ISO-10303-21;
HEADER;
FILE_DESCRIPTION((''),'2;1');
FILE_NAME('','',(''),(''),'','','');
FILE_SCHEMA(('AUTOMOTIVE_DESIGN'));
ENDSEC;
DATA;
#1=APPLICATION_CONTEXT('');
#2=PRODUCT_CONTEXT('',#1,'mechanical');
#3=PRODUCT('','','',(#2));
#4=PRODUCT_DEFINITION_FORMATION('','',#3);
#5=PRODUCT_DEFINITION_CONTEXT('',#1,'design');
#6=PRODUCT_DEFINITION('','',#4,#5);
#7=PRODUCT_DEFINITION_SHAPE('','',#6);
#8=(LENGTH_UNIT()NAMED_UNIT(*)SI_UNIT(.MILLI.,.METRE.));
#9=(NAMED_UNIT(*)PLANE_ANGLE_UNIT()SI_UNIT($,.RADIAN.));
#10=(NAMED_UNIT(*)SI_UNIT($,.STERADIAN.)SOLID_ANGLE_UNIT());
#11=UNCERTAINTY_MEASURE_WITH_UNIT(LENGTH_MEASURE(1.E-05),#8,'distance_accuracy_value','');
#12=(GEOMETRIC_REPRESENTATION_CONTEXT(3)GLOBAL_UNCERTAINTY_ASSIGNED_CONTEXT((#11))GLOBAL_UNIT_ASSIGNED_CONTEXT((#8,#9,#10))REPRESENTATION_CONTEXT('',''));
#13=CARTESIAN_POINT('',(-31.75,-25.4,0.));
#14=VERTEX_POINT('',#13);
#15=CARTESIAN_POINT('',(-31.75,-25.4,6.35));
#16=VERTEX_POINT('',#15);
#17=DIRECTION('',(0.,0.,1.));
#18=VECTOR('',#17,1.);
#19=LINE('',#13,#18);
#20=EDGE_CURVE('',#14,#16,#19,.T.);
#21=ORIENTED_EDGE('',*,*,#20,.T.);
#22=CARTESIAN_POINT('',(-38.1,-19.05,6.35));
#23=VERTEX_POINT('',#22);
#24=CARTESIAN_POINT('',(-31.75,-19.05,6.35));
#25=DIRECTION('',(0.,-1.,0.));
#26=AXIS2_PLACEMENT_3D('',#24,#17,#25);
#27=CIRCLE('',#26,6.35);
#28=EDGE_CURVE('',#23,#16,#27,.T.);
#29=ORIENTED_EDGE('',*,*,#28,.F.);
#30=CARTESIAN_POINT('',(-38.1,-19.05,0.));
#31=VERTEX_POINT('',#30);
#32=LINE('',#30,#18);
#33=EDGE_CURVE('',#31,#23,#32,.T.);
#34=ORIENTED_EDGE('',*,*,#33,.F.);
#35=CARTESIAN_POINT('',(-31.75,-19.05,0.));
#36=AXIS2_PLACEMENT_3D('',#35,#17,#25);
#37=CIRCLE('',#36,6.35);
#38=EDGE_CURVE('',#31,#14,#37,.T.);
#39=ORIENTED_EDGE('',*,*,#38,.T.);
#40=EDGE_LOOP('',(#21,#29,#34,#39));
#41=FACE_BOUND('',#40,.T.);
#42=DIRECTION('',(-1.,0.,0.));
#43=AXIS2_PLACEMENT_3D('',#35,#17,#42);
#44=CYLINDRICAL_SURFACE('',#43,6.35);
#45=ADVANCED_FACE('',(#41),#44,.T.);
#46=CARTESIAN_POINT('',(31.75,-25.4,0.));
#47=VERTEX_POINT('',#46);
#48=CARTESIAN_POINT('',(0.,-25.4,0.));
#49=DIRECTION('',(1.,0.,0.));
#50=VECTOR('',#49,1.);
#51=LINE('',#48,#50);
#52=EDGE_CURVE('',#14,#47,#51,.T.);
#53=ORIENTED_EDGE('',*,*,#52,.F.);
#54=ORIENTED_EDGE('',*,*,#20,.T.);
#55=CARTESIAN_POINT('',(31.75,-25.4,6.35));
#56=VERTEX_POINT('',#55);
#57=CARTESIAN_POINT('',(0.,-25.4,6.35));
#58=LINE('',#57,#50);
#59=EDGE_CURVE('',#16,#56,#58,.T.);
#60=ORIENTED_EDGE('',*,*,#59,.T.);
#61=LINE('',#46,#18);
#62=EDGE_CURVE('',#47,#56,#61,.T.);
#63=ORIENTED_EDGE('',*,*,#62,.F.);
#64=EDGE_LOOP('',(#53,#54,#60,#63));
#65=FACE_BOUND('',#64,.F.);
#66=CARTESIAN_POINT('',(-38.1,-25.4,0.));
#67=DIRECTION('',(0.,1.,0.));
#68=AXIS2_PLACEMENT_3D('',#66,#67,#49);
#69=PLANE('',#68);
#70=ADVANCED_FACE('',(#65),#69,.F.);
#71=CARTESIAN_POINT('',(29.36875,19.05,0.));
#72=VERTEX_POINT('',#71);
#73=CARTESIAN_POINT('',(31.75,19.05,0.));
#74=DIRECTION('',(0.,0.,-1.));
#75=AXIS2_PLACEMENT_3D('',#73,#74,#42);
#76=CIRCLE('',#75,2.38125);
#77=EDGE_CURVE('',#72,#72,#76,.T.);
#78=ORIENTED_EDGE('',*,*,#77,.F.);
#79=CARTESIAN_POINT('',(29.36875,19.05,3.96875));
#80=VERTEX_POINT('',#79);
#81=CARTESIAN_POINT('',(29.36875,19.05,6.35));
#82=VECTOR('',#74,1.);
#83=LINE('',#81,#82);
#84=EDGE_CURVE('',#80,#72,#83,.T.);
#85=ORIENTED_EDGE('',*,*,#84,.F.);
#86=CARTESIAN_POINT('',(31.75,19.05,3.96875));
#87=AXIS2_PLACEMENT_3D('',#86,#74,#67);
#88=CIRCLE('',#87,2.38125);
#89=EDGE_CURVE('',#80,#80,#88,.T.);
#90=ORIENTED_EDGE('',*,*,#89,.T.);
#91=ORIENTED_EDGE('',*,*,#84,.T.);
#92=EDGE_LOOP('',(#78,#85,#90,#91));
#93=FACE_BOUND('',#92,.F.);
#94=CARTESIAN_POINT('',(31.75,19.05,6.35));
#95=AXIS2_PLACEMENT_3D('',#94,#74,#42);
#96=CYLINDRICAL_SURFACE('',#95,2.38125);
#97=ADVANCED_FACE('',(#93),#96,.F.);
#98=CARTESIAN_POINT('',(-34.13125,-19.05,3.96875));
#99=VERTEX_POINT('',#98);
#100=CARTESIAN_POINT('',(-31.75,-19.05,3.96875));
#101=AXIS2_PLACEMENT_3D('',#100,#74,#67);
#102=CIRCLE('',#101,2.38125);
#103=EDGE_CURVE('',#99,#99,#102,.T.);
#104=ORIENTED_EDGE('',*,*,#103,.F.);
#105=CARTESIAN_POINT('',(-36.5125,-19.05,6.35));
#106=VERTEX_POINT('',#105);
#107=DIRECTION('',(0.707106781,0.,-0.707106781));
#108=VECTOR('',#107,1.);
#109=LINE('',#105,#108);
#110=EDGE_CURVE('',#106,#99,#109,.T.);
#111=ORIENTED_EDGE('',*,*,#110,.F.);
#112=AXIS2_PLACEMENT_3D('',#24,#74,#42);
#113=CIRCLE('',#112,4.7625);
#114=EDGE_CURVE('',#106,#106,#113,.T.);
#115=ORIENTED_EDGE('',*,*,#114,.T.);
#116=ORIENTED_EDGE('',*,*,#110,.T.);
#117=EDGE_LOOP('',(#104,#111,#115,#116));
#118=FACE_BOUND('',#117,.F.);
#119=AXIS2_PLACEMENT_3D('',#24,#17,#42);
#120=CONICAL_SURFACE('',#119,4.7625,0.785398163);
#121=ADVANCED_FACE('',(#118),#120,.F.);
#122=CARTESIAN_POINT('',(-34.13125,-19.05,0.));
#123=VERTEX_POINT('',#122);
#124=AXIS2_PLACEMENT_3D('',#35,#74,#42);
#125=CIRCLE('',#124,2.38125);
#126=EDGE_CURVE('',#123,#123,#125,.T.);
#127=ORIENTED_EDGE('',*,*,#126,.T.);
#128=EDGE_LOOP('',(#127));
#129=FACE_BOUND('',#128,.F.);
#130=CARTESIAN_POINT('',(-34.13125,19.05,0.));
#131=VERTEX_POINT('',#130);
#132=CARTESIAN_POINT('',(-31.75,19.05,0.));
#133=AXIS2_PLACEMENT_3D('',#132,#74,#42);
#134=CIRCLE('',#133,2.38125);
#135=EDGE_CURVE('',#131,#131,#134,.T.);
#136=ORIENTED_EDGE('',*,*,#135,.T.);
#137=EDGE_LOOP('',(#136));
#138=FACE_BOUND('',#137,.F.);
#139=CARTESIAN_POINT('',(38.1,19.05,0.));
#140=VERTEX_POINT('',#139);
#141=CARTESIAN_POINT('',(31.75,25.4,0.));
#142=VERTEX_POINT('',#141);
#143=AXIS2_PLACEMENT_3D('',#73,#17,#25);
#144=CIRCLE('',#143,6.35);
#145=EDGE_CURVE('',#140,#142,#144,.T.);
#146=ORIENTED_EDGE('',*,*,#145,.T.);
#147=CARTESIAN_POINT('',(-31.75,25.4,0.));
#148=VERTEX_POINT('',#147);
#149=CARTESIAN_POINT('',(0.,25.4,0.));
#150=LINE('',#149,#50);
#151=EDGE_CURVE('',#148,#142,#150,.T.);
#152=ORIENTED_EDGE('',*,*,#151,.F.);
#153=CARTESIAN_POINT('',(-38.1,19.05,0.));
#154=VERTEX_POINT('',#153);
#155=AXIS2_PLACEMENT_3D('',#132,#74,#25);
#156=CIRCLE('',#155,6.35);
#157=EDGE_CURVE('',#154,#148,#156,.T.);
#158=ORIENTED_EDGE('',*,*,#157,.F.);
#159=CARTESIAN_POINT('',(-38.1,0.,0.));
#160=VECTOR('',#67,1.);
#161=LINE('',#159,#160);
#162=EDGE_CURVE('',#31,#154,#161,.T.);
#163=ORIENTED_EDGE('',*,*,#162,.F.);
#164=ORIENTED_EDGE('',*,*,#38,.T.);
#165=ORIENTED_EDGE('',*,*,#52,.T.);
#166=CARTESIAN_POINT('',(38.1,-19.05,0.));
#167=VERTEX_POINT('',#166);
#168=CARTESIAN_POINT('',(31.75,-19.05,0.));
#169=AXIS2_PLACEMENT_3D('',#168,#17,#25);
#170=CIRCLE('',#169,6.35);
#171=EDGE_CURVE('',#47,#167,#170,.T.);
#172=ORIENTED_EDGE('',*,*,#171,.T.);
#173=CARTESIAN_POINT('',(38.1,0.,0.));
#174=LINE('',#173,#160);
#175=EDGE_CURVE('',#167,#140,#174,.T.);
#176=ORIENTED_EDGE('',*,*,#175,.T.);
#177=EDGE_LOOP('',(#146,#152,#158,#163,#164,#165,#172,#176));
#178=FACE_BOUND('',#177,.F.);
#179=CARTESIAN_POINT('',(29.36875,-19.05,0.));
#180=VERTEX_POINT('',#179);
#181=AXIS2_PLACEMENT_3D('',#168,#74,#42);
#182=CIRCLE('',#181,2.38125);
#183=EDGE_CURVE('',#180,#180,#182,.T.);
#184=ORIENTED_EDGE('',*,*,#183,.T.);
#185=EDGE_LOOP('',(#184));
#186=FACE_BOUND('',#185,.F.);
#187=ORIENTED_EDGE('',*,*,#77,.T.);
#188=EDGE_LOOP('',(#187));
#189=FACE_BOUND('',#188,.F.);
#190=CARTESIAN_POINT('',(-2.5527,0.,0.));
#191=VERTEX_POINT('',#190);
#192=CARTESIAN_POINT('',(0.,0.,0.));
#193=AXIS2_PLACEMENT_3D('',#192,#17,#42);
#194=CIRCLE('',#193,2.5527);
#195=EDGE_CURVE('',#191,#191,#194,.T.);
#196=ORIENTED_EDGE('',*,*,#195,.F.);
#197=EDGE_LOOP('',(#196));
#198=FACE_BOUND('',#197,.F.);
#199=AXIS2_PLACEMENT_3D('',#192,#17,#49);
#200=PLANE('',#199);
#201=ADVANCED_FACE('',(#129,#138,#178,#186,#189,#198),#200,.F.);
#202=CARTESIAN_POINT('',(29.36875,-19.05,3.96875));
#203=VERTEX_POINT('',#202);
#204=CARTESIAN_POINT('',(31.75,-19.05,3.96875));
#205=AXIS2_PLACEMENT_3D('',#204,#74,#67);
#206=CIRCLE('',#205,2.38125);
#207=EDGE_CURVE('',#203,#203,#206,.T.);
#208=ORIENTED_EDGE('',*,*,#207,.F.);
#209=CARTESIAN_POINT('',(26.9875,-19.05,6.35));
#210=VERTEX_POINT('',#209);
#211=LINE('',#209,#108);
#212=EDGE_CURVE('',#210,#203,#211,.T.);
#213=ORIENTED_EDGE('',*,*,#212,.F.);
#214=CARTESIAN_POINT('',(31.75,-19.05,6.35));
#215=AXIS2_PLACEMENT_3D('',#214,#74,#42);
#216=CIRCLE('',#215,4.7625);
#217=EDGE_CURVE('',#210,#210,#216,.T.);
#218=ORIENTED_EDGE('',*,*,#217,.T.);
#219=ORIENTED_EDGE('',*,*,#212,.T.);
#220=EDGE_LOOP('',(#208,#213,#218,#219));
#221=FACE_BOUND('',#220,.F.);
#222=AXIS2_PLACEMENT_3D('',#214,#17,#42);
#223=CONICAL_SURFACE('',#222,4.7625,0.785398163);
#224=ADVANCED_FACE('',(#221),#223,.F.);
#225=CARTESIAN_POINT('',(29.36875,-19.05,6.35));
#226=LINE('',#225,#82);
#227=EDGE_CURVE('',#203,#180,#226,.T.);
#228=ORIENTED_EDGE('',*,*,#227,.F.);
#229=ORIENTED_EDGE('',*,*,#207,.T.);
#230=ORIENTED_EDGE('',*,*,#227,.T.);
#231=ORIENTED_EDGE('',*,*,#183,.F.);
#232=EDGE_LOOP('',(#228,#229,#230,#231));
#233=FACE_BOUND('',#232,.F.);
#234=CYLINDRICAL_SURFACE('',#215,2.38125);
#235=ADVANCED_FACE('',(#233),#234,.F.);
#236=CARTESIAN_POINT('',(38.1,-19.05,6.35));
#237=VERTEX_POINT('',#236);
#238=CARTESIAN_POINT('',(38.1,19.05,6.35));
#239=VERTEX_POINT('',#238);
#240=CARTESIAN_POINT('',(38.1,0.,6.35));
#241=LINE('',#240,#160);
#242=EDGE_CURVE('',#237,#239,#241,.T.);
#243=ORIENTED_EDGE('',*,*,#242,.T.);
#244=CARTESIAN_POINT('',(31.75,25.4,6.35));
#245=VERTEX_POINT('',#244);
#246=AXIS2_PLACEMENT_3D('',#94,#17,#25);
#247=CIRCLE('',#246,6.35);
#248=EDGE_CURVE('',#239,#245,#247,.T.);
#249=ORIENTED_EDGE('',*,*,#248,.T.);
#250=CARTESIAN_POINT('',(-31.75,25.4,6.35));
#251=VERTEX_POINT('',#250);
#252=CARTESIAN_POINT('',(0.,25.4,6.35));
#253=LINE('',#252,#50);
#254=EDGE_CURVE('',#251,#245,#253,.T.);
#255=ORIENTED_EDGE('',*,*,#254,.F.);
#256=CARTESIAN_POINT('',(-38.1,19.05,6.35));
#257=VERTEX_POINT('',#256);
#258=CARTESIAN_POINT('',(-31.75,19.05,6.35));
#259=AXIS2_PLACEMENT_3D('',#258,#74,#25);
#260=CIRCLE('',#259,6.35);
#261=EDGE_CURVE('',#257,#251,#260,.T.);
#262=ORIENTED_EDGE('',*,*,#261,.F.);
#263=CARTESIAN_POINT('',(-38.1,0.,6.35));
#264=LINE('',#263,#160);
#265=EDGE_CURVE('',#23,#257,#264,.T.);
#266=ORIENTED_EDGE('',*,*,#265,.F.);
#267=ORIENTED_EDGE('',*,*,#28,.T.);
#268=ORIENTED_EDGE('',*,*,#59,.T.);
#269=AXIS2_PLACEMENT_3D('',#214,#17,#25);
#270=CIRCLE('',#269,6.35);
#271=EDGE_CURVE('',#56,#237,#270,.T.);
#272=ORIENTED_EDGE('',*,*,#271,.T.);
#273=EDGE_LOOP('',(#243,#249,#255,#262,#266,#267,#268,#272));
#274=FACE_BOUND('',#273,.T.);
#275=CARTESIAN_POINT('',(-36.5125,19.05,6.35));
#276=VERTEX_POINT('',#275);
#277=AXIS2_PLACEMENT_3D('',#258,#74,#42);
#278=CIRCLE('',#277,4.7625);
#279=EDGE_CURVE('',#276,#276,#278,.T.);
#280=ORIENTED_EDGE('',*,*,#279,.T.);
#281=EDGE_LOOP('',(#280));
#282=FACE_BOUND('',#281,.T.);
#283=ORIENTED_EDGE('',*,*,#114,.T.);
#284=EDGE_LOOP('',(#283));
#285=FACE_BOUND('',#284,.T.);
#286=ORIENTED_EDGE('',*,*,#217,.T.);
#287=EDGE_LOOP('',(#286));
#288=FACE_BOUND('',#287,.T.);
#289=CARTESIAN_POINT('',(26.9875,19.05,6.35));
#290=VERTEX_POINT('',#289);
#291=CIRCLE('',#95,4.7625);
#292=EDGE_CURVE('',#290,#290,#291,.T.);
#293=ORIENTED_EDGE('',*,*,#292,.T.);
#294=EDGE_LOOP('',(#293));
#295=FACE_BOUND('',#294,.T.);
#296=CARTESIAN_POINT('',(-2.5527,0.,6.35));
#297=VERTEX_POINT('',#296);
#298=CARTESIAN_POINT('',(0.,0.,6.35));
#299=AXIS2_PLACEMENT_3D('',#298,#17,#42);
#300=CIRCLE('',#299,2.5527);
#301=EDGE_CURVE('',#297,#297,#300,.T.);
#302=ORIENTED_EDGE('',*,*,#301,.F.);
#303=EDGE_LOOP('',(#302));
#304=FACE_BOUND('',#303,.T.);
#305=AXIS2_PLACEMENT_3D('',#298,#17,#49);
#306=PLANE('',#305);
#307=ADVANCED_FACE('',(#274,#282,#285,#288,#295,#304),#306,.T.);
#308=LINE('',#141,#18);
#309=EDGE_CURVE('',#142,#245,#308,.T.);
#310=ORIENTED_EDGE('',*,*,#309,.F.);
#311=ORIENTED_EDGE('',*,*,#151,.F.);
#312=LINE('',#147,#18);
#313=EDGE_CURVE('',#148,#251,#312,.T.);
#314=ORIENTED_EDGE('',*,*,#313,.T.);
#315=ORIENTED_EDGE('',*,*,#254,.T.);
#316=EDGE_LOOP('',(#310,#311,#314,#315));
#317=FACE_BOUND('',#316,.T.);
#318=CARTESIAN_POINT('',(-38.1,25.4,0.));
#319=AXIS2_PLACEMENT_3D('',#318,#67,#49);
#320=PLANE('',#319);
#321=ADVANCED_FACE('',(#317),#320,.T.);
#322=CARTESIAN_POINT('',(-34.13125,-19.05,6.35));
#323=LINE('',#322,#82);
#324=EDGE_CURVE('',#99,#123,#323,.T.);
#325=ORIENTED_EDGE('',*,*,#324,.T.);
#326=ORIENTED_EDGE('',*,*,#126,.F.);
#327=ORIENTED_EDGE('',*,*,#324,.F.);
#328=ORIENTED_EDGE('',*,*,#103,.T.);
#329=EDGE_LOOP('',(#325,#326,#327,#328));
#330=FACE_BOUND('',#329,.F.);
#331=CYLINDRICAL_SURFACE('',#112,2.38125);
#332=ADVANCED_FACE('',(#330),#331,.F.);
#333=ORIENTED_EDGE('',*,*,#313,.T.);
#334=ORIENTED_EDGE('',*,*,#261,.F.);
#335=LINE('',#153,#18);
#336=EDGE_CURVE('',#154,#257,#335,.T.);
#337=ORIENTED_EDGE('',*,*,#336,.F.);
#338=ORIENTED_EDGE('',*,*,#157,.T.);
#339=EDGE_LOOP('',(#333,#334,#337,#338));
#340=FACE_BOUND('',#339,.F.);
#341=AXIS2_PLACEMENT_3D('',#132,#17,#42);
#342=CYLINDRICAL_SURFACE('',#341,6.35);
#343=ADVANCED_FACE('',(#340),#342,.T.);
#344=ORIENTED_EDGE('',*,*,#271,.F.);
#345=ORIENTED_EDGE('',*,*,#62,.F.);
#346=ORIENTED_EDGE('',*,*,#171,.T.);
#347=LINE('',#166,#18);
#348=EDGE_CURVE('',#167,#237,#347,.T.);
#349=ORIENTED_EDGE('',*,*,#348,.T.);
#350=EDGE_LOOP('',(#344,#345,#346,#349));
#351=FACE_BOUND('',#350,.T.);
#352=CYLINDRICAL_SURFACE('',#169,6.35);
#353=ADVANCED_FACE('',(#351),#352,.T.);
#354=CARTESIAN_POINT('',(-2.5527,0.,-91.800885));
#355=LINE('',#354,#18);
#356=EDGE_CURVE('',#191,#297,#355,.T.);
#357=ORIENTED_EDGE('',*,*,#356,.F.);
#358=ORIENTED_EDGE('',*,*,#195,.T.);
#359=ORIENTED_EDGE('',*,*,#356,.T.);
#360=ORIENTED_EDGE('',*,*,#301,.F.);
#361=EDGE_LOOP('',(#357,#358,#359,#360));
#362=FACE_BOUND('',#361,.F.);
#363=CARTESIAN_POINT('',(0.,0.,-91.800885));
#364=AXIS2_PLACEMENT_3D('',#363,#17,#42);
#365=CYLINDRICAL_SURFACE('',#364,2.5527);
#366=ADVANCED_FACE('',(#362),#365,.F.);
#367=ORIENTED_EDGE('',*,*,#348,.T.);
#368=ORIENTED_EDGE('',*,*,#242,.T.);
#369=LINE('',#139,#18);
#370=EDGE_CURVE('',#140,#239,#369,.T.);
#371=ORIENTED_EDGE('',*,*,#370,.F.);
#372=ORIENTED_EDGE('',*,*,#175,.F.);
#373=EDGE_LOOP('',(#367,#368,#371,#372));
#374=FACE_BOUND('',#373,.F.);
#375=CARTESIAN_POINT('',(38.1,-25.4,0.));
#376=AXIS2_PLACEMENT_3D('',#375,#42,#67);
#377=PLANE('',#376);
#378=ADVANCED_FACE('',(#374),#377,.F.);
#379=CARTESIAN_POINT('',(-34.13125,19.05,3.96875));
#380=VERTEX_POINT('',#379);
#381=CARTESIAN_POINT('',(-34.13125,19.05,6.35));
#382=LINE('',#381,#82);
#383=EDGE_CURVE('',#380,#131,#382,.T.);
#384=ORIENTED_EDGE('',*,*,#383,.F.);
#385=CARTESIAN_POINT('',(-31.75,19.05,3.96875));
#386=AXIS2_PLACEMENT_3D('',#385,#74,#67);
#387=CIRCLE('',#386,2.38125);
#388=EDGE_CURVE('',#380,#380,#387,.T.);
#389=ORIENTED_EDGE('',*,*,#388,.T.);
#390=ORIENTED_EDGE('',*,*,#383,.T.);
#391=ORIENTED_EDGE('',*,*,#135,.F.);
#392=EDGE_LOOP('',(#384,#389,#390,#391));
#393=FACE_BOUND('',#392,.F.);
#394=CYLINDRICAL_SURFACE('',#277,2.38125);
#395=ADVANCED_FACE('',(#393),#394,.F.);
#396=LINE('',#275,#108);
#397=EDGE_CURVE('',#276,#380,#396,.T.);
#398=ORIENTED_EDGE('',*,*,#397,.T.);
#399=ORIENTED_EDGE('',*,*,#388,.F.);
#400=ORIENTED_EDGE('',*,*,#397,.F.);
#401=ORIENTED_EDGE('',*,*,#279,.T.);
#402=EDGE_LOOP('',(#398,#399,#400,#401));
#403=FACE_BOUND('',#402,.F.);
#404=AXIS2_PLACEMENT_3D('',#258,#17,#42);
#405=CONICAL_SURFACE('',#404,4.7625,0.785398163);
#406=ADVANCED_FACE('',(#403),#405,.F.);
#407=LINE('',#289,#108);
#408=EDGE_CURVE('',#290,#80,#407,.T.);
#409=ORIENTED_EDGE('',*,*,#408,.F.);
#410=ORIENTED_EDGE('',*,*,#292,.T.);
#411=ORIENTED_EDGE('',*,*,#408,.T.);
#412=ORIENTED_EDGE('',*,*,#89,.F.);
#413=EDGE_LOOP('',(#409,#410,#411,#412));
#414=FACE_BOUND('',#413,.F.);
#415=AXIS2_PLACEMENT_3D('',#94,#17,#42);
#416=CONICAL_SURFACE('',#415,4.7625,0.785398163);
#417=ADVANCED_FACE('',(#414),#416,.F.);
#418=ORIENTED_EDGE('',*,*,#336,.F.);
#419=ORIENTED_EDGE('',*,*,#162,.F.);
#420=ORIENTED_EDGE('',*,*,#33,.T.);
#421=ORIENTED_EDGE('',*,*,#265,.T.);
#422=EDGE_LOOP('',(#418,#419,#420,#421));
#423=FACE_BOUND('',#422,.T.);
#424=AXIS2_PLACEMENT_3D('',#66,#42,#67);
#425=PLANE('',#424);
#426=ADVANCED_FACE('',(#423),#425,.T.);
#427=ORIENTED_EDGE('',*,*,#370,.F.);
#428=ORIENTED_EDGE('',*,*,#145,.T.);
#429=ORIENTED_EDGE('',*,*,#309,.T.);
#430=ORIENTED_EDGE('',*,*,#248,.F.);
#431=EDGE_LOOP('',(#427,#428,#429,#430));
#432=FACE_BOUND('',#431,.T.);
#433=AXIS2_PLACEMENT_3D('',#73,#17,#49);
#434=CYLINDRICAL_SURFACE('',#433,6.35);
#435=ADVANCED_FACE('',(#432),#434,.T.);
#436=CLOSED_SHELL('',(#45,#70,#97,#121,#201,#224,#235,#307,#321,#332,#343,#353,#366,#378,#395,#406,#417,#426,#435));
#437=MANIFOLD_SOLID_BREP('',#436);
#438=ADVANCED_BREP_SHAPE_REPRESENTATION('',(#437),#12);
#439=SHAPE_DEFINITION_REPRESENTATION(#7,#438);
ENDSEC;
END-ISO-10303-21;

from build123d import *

# Parameters (mm, degrees)
F1_W           = 76.2
F1_H           = 50.8
F2_DEPTH       = 6.35
F3_R           = 6.35
F5_D           = 4.7625
F5_CSINK_D     = 9.525
F5_CSINK_ANGLE = 90
F6_D           = 5.1054


with BuildPart() as f2:
    # F1 (on Top) → F2 (new body)
    with BuildSketch(Plane.XY):
        Rectangle(F1_W, F1_H)
    extrude(amount=F2_DEPTH)

    # F3
    f3_edges = [f2.edges().sort_by_distance(p)[0] for p in [
        (-38.1, -25.4, 3.175),
        (38.1, -25.4, 3.175),
        (38.1, 25.4, 3.175),
        (-38.1, 25.4, 3.175),
    ]]
    fillet(f3_edges, radius=F3_R)

    # F5 (through all)
    with Locations(Plane.XY.offset(6.35)):
        with Locations((-31.75, 19.05), (-31.75, -19.05), (31.75, -19.05), (31.75, 19.05)):
            CounterSinkHole(F5_D / 2, F5_CSINK_D / 2, counter_sink_angle=F5_CSINK_ANGLE)

    # F6 (through all)
    with Locations(Plane(origin=(0, 0, 0), x_dir=(1, 0, 0), z_dir=(0, 0, -1))):
        with Locations((0, 0)):
            Hole(F6_D / 2)


solid = f2.part
